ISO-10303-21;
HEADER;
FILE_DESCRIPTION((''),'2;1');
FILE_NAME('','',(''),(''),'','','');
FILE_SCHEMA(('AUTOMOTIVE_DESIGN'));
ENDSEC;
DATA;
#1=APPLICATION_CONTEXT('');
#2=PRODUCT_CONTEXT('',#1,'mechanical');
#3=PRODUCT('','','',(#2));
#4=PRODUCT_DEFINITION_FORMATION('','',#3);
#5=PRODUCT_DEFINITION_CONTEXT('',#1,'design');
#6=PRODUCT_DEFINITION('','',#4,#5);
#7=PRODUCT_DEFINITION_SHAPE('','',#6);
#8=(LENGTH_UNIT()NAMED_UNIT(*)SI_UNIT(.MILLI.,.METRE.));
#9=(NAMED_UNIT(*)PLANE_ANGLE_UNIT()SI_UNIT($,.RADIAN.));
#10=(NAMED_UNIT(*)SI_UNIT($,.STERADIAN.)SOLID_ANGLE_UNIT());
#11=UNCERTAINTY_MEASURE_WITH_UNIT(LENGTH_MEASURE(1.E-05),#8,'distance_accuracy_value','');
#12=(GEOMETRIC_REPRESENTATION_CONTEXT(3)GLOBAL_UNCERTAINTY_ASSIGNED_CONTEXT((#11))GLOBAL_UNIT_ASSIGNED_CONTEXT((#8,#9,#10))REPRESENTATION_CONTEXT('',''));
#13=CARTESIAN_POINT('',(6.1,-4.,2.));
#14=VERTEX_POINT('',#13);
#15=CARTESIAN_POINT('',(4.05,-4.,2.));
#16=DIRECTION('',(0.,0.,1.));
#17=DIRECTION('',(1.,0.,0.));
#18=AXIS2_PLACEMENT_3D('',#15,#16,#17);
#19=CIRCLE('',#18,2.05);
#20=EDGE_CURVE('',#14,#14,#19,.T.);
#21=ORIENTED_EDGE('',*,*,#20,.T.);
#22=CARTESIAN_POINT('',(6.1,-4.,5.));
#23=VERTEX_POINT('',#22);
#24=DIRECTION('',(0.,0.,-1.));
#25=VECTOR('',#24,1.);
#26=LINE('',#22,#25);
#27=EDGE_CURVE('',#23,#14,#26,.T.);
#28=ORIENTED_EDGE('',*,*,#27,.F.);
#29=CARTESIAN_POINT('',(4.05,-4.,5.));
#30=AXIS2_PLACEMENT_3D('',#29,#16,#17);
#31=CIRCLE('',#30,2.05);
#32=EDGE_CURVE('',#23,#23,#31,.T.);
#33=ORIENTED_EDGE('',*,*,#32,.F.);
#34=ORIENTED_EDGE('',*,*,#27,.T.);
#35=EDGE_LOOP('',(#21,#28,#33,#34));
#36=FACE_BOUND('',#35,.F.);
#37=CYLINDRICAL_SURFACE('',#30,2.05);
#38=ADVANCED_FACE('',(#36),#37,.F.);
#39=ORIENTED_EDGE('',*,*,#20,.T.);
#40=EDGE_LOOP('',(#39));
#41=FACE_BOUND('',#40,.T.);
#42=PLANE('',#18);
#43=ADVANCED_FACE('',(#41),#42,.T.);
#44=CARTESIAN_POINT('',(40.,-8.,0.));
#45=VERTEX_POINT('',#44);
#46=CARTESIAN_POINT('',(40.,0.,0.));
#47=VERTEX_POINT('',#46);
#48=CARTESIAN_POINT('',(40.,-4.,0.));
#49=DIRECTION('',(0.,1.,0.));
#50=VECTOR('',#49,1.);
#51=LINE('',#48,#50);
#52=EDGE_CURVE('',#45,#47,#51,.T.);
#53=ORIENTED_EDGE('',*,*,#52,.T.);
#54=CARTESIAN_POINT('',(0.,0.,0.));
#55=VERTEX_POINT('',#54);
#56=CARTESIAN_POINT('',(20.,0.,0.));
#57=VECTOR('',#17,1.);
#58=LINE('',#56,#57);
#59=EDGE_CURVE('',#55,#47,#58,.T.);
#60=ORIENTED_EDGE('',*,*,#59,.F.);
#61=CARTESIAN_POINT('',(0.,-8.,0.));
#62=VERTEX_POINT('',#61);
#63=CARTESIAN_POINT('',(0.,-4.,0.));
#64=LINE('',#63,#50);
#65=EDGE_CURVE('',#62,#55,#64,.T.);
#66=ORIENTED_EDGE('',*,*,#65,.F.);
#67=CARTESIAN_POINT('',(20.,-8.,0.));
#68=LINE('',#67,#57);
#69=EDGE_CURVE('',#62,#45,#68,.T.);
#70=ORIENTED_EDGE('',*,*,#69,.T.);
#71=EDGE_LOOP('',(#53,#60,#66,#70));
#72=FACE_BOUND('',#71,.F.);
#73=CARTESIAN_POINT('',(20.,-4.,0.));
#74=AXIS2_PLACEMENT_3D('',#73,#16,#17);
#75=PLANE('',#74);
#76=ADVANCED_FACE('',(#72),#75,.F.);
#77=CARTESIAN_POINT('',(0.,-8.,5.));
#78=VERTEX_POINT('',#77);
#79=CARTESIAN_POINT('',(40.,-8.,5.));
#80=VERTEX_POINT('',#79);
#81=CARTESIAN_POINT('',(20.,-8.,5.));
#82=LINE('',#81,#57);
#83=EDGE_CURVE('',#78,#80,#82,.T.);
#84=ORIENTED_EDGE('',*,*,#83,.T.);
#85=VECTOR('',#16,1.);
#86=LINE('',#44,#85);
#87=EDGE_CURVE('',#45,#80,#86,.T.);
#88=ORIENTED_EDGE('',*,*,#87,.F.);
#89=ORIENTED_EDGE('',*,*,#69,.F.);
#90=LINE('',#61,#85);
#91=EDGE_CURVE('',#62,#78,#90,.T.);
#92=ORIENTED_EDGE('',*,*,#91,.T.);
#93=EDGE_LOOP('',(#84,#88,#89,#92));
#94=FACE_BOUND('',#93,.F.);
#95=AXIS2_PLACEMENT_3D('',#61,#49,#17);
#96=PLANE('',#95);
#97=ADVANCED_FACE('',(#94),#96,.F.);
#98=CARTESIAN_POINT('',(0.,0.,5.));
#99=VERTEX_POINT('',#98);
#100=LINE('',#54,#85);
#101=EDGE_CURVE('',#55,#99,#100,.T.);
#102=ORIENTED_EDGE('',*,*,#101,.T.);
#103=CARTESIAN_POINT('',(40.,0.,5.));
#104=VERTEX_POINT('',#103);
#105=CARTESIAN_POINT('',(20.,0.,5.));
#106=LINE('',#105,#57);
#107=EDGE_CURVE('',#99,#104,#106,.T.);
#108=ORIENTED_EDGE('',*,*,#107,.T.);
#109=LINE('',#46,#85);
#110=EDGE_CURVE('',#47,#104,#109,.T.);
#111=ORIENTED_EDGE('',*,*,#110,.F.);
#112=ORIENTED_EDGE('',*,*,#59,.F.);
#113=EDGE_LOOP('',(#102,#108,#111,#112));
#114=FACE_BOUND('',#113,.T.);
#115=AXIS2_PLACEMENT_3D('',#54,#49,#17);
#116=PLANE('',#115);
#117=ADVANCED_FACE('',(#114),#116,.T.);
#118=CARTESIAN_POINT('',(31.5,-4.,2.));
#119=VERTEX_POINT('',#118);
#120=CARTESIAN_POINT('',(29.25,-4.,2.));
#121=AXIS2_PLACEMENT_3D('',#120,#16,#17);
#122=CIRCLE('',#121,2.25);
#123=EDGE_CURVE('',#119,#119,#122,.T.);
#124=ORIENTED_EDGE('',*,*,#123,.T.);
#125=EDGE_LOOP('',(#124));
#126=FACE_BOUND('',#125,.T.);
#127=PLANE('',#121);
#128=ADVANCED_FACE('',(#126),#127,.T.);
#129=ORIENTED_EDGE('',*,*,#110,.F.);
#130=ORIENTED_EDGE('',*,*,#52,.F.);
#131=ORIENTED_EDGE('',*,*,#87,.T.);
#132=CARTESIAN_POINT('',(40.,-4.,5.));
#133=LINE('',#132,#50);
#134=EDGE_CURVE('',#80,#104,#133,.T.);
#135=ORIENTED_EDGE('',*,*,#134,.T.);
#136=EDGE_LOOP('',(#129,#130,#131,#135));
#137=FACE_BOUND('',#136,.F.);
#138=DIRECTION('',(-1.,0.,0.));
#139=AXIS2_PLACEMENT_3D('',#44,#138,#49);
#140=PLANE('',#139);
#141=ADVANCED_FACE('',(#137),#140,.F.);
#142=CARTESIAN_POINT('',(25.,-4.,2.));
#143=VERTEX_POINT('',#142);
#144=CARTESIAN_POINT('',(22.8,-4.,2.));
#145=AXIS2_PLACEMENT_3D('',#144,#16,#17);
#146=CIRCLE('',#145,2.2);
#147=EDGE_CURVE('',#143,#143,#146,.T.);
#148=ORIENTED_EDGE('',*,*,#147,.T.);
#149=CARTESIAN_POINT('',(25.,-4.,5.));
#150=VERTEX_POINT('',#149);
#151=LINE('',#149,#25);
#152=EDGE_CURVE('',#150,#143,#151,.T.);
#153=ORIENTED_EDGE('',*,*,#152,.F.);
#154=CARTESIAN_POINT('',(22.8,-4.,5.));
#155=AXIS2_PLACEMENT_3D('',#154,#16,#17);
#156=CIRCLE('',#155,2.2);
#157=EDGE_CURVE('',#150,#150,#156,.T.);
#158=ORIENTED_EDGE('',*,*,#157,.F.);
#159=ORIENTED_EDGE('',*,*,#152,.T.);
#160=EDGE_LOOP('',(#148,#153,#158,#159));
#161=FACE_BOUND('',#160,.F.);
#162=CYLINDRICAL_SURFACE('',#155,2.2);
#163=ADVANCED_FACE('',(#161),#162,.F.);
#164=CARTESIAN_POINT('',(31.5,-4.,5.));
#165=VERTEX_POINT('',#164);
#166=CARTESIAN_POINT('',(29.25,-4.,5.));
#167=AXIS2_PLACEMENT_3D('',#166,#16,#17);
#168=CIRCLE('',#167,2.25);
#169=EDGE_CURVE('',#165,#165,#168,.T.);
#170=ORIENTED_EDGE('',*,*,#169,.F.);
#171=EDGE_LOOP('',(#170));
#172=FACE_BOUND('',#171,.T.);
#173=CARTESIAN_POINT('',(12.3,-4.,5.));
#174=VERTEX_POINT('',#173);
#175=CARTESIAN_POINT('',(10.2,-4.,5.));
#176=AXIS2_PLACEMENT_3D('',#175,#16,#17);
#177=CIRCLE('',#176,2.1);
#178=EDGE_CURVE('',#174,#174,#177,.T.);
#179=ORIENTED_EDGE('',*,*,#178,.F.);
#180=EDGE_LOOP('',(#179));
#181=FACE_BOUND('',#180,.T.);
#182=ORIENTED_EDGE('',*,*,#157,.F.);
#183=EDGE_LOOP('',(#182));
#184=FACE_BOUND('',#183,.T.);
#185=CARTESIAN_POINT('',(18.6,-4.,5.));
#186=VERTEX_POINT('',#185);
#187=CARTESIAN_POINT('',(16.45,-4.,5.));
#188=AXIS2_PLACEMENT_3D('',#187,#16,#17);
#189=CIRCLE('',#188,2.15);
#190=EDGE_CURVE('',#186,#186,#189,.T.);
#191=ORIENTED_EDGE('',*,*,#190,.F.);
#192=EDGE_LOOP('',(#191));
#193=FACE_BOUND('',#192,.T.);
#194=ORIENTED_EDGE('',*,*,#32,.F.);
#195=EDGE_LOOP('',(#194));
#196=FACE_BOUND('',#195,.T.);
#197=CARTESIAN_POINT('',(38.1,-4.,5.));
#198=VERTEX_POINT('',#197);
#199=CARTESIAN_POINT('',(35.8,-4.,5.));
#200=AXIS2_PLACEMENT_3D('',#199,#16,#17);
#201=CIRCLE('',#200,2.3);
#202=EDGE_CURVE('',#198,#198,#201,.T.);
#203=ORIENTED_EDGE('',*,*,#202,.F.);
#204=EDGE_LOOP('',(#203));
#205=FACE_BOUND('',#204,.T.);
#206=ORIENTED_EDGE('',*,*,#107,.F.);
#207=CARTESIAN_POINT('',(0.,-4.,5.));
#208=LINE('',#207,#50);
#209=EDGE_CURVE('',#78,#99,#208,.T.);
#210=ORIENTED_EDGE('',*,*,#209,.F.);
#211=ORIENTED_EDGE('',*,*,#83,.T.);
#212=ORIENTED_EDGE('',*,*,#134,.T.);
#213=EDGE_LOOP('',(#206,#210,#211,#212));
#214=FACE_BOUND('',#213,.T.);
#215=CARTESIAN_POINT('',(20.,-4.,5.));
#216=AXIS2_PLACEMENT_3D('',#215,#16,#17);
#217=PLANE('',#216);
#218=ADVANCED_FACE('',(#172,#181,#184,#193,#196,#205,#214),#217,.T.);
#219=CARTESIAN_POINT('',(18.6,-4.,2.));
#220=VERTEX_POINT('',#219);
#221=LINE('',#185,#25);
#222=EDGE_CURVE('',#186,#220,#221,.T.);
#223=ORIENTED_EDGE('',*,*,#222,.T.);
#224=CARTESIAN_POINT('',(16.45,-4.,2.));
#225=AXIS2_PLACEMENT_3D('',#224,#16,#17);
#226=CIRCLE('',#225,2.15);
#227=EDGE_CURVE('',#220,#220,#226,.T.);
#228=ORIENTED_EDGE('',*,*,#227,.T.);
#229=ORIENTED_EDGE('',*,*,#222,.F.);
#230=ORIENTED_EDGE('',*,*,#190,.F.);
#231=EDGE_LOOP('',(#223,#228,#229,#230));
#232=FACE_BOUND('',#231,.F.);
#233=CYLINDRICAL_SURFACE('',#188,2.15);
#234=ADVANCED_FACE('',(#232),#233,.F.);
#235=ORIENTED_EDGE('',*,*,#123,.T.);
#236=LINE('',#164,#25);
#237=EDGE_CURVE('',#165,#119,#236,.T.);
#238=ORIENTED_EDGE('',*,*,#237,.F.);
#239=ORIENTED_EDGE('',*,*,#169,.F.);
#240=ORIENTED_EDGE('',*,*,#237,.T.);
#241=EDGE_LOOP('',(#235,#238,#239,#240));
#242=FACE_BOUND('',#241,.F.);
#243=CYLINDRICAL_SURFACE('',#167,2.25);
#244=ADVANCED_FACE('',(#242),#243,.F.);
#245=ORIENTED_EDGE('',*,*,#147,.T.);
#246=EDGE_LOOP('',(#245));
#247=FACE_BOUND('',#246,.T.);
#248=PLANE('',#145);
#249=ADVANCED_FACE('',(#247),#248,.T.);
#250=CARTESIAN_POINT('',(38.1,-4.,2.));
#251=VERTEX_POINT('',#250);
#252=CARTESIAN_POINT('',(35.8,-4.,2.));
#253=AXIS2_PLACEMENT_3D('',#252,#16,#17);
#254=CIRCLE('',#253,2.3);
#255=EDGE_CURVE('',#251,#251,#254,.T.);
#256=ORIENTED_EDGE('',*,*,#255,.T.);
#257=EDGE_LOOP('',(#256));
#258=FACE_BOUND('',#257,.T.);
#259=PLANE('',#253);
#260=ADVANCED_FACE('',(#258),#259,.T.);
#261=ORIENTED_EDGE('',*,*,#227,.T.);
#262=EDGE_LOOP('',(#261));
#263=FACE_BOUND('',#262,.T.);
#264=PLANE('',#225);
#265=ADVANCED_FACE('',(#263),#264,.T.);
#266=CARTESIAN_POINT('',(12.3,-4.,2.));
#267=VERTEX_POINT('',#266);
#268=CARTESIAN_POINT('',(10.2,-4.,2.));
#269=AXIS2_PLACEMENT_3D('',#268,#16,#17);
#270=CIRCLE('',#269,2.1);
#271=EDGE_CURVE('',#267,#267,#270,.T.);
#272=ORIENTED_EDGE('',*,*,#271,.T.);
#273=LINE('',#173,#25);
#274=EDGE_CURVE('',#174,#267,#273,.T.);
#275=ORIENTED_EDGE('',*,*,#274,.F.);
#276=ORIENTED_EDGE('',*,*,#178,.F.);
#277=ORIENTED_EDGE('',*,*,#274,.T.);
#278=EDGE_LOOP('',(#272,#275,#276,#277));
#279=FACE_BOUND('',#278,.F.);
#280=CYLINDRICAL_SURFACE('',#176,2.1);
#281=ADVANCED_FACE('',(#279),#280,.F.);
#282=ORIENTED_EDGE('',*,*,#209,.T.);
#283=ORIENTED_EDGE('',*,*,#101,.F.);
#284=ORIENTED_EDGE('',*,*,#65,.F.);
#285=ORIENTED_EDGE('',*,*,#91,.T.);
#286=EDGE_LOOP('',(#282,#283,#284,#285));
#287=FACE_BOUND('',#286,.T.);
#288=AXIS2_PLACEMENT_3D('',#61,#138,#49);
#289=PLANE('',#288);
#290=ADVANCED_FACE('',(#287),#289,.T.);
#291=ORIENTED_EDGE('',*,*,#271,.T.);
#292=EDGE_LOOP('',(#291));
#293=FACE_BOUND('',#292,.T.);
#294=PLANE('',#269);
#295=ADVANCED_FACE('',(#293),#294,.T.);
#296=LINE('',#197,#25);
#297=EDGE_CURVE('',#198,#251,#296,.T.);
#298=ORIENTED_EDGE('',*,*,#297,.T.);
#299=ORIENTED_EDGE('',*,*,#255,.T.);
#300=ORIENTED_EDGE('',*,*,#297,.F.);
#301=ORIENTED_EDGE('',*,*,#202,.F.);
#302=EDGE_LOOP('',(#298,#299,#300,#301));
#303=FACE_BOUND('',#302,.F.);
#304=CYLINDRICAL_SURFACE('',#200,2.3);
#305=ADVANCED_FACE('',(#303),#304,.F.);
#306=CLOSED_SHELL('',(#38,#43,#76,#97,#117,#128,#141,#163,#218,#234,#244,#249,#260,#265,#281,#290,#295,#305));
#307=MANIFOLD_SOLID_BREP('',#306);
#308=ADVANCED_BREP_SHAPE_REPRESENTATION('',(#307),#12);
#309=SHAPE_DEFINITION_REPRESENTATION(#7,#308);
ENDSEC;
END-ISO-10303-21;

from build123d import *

# Parameters (mm, degrees)
F0_W     = 40
F0_H     = 8
F1_DEPTH = 5
F2_R     = 2.05
F2_R_2   = 2.1
F2_R_3   = 2.15
F2_R_4   = 2.2
F2_R_5   = 2.25
F2_R_6   = 2.3
F3_DEPTH = 3


with BuildPart() as f1:
    # F0 (on Top) → F1 (new body)
    with BuildSketch(Plane.XY):
        with Locations((20, -4)):
            Rectangle(F0_W, F0_H)
    extrude(amount=F1_DEPTH)

    # F2 (on face) → F3 (cut)
    with BuildSketch(Plane.XY.offset(5)):
        with Locations((4.05, -4)):
            Circle(F2_R)
        with Locations((10.2, -4)):
            Circle(F2_R_2)
        with Locations((16.45, -4)):
            Circle(F2_R_3)
        with Locations((22.8, -4)):
            Circle(F2_R_4)
        with Locations((29.25, -4)):
            Circle(F2_R_5)
        with Locations((35.8, -4)):
            Circle(F2_R_6)
    extrude(amount=-F3_DEPTH, mode=Mode.SUBTRACT)


solid = f1.part
